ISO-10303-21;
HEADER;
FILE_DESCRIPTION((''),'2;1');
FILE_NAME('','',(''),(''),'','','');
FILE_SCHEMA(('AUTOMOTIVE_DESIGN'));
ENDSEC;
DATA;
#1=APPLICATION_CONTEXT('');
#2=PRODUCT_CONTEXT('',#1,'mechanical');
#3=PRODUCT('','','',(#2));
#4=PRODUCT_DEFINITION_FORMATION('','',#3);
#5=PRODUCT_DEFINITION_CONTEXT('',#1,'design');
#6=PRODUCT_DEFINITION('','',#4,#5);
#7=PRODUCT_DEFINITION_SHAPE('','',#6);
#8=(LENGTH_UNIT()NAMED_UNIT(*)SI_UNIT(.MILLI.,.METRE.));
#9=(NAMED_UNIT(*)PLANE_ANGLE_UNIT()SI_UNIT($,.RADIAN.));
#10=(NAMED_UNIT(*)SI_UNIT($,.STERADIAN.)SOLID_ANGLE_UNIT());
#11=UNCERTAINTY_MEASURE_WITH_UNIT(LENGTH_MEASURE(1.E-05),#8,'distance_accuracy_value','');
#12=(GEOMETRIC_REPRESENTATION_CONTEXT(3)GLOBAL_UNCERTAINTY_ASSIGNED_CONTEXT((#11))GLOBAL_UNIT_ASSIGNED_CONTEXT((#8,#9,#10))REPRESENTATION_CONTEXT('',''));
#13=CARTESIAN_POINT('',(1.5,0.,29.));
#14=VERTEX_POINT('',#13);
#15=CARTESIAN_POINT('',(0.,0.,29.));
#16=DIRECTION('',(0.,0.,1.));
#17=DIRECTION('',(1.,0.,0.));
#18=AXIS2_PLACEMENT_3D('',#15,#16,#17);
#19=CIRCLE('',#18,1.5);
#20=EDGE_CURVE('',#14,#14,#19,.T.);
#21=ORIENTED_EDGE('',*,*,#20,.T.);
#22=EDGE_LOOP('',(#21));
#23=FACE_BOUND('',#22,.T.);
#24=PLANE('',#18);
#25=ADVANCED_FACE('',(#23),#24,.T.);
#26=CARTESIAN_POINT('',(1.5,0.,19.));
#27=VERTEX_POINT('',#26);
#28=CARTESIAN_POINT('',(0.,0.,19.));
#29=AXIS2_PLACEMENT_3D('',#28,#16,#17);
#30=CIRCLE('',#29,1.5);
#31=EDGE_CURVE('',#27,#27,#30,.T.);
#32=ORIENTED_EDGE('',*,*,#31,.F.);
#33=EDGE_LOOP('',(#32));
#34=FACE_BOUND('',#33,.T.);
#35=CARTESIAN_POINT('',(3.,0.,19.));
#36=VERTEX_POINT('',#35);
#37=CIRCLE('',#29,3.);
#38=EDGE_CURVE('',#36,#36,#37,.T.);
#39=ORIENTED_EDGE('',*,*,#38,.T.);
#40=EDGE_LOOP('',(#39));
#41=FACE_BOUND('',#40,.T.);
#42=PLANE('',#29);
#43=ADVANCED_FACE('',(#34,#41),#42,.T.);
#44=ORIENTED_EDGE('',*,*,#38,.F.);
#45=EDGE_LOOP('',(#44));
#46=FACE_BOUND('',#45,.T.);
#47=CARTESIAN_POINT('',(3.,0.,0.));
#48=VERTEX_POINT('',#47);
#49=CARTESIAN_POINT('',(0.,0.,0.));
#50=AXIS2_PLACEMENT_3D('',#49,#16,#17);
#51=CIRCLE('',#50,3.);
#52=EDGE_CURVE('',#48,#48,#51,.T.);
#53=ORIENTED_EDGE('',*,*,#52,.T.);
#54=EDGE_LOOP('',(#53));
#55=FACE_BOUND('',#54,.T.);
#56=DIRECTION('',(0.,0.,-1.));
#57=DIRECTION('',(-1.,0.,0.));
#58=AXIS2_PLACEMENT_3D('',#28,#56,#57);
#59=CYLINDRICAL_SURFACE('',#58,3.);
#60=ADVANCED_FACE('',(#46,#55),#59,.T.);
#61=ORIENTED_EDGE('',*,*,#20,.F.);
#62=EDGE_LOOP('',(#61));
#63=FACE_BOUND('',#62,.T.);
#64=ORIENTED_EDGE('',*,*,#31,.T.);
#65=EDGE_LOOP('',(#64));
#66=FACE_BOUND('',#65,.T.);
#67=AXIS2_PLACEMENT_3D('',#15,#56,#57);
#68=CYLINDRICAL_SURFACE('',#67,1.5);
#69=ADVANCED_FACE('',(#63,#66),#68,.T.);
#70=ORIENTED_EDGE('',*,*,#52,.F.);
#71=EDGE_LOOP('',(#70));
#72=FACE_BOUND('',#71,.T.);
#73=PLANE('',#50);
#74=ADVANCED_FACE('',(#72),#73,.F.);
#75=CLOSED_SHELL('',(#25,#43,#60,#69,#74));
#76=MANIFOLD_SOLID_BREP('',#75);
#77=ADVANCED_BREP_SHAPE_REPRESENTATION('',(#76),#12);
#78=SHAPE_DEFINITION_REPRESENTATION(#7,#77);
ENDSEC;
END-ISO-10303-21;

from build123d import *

# Parameters (mm, degrees)
CROQUIS1_R              = 3
SALIENTE_EXTRUIR1_DEPTH = 19
CROQUIS2_R              = 1.5
SALIENTE_EXTRUIR2_DEPTH = 10


with BuildPart() as part:
    # Croquis1 → Saliente-Extruir1 (new body)
    with BuildSketch(Plane.XY):
        Circle(CROQUIS1_R)
    extrude(amount=SALIENTE_EXTRUIR1_DEPTH)

    # Croquis2 → Saliente-Extruir2 (add)
    with BuildSketch(Plane.XY.offset(19)):
        Circle(CROQUIS2_R)
    extrude(amount=SALIENTE_EXTRUIR2_DEPTH)


solid = part.part
